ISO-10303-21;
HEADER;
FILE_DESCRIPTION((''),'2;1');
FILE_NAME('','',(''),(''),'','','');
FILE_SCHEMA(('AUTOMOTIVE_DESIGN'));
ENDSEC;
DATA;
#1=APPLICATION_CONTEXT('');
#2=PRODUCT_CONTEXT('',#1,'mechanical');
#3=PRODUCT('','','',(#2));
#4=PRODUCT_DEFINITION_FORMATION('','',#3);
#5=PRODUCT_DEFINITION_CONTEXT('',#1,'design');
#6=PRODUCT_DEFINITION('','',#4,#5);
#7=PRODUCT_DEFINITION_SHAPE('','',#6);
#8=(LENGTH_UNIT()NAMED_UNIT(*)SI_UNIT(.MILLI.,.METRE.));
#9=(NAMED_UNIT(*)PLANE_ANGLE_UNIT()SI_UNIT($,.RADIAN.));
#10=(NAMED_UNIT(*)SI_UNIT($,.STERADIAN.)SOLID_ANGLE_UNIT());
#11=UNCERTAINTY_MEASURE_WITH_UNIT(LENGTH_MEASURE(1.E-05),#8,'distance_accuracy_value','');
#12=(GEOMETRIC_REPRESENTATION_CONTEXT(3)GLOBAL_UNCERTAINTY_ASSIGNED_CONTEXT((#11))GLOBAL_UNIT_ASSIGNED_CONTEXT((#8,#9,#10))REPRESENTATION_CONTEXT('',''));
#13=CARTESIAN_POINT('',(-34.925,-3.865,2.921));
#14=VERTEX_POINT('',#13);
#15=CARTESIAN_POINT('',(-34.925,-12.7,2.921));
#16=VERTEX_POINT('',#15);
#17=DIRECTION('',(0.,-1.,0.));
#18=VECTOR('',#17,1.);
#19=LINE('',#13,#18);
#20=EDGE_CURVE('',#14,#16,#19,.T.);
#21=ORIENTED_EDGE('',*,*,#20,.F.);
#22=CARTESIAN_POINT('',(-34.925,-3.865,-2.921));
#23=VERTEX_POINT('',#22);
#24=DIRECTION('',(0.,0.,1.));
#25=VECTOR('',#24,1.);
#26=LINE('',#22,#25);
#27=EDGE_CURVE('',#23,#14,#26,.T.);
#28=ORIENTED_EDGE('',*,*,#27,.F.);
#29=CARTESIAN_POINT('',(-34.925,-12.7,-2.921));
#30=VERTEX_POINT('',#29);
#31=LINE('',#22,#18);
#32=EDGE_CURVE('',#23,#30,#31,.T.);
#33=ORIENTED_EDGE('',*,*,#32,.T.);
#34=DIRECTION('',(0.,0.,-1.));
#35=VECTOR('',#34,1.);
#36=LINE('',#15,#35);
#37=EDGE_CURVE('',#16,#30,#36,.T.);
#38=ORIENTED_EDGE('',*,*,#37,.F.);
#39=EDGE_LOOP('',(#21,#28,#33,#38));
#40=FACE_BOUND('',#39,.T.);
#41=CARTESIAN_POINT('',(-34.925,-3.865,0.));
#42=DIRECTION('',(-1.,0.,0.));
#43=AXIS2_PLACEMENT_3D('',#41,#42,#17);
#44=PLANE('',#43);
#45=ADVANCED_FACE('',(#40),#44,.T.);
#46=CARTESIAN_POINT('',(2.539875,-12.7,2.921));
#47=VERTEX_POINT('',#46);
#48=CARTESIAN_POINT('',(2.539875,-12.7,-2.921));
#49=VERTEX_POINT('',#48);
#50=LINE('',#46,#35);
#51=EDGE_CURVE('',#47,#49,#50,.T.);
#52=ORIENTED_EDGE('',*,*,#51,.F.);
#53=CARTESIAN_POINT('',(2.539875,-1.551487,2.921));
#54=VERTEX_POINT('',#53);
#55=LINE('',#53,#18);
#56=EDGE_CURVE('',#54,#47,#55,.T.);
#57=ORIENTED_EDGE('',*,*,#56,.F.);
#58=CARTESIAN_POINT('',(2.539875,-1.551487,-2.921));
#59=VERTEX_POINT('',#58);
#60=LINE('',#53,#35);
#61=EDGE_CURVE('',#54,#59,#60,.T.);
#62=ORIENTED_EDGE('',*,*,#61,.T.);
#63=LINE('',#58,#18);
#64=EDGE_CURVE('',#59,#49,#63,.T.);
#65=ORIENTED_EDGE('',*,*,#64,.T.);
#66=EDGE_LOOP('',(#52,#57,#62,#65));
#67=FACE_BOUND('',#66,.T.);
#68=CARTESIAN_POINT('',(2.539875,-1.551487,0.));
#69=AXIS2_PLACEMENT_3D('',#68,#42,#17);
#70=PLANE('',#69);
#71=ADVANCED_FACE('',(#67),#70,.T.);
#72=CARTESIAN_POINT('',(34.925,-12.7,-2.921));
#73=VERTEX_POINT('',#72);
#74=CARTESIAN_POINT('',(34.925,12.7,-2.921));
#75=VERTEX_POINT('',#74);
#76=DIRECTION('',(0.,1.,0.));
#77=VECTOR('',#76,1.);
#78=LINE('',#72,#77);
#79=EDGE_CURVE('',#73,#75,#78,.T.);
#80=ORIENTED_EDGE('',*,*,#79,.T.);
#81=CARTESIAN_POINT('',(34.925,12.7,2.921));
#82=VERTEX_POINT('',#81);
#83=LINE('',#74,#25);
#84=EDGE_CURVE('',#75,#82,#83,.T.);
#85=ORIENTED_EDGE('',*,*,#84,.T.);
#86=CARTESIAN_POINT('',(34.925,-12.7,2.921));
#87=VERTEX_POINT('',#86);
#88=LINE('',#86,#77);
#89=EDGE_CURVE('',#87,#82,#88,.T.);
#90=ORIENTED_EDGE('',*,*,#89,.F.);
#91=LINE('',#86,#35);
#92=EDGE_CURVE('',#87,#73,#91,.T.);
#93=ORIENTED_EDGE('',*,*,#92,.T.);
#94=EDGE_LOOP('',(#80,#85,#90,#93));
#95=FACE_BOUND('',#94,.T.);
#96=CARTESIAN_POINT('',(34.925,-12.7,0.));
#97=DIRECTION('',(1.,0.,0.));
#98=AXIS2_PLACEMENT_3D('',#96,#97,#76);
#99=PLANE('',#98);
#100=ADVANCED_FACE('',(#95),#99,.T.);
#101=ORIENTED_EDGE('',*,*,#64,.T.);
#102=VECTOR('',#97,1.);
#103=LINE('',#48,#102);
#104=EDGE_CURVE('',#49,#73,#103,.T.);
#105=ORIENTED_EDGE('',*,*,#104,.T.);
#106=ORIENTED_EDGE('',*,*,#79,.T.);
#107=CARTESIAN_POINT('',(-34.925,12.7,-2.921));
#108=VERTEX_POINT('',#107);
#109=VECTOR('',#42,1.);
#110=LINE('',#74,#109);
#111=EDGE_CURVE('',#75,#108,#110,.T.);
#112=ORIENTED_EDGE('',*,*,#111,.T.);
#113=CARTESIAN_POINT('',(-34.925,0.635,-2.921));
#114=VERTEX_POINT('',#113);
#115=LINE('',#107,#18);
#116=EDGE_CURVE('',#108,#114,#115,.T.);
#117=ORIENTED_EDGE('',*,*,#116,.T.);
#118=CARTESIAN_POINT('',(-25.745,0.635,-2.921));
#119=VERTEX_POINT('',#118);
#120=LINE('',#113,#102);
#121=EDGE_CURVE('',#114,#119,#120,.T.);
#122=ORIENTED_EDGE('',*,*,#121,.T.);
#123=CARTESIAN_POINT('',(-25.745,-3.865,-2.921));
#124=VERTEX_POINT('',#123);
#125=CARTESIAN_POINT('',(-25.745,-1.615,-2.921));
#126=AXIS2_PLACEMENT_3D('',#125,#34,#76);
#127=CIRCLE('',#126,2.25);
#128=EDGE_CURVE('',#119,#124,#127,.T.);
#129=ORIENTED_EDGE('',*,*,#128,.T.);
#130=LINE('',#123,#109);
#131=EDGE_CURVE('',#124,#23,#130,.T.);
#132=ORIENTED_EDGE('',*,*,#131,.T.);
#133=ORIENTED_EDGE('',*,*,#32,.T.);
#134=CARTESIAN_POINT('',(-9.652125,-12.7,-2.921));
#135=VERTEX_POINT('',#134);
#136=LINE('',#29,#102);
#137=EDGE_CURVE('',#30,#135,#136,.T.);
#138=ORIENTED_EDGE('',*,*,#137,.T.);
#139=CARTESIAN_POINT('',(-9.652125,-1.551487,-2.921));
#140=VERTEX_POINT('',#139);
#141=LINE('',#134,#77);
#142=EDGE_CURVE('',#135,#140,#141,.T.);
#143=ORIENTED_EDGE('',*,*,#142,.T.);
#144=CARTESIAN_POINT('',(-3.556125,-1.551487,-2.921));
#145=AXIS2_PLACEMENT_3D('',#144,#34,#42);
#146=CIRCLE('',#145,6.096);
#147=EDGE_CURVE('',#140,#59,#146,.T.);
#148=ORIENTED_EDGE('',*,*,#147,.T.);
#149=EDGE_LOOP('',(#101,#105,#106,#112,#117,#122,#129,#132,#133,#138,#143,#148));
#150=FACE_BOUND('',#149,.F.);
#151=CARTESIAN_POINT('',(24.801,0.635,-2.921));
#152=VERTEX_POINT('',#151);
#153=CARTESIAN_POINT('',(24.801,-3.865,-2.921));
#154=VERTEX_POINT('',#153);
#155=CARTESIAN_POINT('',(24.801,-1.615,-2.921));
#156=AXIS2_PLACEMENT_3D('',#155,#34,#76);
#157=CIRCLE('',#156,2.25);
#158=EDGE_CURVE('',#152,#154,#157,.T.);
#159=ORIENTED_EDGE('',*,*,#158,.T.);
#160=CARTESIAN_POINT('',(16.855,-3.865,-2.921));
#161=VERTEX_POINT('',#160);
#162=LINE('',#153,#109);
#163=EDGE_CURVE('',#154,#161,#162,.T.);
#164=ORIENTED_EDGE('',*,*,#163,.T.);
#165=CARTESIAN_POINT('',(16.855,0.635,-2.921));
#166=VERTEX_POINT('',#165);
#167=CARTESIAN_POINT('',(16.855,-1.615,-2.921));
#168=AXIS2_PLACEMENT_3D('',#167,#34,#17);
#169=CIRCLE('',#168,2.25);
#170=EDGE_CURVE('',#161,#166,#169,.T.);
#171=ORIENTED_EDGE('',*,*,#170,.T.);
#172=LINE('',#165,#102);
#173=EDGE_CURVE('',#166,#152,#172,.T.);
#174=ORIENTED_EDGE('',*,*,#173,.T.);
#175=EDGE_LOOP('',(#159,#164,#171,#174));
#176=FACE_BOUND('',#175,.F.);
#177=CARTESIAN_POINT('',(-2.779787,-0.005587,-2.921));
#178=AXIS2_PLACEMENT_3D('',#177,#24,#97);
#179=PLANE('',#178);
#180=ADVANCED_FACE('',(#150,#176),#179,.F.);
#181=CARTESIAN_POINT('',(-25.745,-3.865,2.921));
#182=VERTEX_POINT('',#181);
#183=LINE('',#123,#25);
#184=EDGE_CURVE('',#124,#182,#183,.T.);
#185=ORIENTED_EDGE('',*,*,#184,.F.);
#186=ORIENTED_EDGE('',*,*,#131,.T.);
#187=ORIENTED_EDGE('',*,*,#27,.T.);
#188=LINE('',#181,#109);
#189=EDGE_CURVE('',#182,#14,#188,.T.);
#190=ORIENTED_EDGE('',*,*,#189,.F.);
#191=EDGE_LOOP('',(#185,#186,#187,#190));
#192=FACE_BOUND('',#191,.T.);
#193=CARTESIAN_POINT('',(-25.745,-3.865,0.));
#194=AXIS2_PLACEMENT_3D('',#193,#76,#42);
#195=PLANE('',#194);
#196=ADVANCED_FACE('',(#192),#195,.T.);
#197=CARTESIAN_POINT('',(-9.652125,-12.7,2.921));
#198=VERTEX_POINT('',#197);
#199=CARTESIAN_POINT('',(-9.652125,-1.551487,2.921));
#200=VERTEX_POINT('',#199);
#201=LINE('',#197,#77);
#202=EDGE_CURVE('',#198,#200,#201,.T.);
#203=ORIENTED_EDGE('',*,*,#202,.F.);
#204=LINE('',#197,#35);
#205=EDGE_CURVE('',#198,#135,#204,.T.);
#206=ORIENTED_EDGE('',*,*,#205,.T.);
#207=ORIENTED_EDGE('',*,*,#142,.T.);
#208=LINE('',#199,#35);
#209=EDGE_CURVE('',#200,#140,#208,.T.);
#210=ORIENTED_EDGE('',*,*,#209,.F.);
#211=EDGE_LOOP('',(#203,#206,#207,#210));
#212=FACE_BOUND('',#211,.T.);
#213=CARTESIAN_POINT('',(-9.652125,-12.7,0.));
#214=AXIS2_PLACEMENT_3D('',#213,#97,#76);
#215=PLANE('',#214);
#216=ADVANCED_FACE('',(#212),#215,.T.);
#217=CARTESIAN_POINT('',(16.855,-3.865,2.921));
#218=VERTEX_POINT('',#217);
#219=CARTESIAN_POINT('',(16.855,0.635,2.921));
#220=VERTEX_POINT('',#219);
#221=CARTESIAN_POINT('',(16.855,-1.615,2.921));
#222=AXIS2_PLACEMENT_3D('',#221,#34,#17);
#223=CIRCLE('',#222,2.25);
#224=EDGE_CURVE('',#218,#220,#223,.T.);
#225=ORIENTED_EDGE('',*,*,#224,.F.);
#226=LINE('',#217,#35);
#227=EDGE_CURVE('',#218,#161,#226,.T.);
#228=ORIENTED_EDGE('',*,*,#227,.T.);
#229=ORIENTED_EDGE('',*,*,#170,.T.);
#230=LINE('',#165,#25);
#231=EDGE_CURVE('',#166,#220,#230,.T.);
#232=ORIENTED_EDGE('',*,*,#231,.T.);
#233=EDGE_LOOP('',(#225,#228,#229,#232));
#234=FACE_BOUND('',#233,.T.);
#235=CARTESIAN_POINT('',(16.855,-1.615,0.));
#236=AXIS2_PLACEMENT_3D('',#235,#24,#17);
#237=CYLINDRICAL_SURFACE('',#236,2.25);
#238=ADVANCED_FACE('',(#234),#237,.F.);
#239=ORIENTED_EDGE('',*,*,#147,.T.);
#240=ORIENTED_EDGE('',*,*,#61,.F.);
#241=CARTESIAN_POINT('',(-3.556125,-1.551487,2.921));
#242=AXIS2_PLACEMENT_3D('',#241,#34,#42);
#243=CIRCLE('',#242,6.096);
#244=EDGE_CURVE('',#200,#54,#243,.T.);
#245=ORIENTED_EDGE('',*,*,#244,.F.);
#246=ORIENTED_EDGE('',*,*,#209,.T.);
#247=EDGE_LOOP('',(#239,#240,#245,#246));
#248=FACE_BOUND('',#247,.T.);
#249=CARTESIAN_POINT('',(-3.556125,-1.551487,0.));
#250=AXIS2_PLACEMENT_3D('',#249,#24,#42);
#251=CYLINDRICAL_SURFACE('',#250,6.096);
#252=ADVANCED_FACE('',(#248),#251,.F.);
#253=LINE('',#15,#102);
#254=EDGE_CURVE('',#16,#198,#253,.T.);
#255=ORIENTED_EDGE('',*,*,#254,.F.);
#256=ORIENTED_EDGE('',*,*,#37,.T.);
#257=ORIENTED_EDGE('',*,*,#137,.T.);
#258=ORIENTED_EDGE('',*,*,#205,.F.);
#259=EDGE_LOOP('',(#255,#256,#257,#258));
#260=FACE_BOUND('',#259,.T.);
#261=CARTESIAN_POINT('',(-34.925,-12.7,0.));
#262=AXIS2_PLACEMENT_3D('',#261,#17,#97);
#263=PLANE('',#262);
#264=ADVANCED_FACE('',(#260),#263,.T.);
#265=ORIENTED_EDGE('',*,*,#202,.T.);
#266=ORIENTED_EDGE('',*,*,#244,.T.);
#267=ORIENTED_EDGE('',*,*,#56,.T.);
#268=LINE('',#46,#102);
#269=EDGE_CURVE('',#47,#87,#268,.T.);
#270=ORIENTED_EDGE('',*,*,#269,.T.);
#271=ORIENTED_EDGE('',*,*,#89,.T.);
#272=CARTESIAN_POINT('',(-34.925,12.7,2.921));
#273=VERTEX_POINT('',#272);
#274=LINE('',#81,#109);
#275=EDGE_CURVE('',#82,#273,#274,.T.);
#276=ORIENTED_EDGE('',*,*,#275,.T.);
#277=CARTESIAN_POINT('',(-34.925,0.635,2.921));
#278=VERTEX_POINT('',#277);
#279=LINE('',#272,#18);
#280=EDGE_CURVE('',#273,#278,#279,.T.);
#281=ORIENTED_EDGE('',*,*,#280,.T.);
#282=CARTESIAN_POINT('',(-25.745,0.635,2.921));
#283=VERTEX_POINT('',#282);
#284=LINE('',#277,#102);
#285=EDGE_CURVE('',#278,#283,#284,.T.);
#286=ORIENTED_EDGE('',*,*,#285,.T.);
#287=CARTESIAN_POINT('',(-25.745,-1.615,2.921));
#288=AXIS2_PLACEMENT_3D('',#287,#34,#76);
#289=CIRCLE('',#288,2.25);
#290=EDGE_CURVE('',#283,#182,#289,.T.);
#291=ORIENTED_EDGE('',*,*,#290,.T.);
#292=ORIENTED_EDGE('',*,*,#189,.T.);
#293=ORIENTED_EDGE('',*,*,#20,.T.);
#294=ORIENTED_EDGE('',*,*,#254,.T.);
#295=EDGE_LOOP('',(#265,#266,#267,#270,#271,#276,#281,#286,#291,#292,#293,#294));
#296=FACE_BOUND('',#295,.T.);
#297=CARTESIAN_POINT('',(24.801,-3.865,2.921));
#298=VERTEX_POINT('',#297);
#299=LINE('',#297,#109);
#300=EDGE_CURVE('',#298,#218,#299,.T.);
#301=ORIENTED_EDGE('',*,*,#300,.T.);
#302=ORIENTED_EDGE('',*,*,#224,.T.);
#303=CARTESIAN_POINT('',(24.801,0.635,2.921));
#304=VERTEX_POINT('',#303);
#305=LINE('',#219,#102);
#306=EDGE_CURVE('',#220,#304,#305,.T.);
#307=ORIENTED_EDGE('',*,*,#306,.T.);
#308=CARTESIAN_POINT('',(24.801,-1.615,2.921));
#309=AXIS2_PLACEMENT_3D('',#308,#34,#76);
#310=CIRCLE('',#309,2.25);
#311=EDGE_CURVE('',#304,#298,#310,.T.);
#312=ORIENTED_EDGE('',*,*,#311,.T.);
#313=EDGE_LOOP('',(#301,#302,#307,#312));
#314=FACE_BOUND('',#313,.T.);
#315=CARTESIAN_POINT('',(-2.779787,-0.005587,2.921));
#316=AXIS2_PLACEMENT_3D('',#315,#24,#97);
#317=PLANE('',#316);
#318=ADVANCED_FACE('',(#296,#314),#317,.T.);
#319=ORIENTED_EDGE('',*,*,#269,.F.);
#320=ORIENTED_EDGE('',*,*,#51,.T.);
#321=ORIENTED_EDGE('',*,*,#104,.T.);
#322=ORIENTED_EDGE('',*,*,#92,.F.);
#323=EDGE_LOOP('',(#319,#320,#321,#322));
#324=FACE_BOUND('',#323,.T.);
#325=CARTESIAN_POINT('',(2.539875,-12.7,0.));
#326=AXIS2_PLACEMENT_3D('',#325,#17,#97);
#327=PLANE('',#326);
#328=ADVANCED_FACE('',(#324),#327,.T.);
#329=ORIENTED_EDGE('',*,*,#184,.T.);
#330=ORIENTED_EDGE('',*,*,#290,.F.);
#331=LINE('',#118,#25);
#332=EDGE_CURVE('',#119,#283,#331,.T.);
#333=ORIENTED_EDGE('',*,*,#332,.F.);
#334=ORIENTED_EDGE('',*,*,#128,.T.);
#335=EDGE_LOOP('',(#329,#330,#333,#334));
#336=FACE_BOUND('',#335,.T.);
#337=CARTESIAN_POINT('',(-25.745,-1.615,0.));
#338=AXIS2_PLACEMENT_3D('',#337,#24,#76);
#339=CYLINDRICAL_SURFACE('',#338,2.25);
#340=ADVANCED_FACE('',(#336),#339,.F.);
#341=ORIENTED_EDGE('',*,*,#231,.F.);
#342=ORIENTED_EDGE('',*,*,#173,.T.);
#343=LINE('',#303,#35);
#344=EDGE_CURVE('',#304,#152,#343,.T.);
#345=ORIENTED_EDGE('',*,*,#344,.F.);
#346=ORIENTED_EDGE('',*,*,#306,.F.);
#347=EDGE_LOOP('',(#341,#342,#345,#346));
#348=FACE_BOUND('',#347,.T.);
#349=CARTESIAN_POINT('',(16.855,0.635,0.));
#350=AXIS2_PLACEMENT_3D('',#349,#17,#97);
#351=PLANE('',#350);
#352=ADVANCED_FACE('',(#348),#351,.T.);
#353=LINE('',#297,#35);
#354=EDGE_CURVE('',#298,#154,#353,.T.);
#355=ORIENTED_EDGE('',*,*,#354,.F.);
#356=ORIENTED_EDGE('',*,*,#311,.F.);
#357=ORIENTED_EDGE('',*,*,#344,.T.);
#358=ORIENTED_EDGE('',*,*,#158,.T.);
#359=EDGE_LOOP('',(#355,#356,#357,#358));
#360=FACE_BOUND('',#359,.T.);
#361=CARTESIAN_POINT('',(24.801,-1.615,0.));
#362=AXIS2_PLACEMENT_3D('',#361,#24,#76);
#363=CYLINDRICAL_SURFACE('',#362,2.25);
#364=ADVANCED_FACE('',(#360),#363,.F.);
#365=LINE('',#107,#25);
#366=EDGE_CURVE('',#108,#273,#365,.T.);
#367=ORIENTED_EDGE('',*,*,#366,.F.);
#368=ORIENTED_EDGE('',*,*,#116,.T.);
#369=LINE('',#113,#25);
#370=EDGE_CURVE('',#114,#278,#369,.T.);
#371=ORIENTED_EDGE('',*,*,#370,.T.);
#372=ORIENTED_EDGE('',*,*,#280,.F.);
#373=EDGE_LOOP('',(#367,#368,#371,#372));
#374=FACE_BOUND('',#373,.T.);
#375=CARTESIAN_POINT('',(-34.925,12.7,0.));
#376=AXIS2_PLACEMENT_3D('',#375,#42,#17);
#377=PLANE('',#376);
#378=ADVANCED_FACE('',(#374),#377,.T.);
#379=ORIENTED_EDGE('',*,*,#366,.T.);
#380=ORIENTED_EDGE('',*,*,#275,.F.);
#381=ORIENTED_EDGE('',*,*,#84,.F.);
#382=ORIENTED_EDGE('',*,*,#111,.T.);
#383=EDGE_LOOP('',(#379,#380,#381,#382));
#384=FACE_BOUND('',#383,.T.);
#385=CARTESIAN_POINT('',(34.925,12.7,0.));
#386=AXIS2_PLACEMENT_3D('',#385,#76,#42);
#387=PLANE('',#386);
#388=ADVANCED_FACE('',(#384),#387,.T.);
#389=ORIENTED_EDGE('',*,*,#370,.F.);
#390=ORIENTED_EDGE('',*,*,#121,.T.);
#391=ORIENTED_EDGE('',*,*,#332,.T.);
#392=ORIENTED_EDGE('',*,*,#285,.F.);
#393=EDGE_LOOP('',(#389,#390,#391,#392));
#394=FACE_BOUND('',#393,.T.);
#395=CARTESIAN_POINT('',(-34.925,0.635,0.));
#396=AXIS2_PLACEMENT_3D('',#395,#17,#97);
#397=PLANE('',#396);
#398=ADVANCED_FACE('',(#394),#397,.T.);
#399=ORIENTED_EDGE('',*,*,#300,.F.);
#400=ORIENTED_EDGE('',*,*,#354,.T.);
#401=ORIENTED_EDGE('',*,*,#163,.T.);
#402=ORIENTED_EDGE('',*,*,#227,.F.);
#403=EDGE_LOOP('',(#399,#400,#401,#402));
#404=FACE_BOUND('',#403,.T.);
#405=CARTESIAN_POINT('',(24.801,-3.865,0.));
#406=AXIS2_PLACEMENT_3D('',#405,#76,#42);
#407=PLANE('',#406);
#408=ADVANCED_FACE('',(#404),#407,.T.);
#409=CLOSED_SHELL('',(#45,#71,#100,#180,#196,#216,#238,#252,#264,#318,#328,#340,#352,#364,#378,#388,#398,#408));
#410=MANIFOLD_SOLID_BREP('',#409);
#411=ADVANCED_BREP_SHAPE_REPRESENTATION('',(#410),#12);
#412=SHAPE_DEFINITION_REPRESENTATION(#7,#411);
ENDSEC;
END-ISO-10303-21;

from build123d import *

# Parameters (mm, degrees)
F1_DEPTH = 2.921


with BuildPart() as f1:
    # F0 (on Top) → F1 (new body, symmetric)
    with BuildSketch(Plane.XY):
        with BuildLine():
            Line((34.925, -12.7), (34.925, 12.7))
            Line((34.925, 12.7), (-34.925, 12.7))
            Line((-34.925, 12.7), (-34.925, 0.635))
            Line((-34.925, 0.635), (-25.745, 0.635))
            ThreePointArc((-25.745, 0.635), (-23.495, -1.615), (-25.745, -3.865))
            Line((-25.745, -3.865), (-34.925, -3.865))
            Line((-34.925, -3.865), (-34.925, -12.7))
            Line((-34.925, -12.7), (-9.652125, -12.7))
            Line((-9.652125, -12.7), (-9.652125, -1.551487))
            ThreePointArc((-9.652125, -1.551487), (-3.556125, 4.544513), (2.539875, -1.551487))
            Line((2.539875, -1.551487), (2.539875, -12.7))
            Line((2.539875, -12.7), (34.925, -12.7))
        make_face()
        with BuildLine():
            Line((16.855, 0.635), (24.801, 0.635))
            ThreePointArc((24.801, 0.635), (27.051, -1.615), (24.801, -3.865))
            Line((24.801, -3.865), (16.855, -3.865))
            ThreePointArc((16.855, -3.865), (14.605, -1.615), (16.855, 0.635))
        make_face(mode=Mode.SUBTRACT)
    extrude(amount=F1_DEPTH, both=True)


solid = f1.part
